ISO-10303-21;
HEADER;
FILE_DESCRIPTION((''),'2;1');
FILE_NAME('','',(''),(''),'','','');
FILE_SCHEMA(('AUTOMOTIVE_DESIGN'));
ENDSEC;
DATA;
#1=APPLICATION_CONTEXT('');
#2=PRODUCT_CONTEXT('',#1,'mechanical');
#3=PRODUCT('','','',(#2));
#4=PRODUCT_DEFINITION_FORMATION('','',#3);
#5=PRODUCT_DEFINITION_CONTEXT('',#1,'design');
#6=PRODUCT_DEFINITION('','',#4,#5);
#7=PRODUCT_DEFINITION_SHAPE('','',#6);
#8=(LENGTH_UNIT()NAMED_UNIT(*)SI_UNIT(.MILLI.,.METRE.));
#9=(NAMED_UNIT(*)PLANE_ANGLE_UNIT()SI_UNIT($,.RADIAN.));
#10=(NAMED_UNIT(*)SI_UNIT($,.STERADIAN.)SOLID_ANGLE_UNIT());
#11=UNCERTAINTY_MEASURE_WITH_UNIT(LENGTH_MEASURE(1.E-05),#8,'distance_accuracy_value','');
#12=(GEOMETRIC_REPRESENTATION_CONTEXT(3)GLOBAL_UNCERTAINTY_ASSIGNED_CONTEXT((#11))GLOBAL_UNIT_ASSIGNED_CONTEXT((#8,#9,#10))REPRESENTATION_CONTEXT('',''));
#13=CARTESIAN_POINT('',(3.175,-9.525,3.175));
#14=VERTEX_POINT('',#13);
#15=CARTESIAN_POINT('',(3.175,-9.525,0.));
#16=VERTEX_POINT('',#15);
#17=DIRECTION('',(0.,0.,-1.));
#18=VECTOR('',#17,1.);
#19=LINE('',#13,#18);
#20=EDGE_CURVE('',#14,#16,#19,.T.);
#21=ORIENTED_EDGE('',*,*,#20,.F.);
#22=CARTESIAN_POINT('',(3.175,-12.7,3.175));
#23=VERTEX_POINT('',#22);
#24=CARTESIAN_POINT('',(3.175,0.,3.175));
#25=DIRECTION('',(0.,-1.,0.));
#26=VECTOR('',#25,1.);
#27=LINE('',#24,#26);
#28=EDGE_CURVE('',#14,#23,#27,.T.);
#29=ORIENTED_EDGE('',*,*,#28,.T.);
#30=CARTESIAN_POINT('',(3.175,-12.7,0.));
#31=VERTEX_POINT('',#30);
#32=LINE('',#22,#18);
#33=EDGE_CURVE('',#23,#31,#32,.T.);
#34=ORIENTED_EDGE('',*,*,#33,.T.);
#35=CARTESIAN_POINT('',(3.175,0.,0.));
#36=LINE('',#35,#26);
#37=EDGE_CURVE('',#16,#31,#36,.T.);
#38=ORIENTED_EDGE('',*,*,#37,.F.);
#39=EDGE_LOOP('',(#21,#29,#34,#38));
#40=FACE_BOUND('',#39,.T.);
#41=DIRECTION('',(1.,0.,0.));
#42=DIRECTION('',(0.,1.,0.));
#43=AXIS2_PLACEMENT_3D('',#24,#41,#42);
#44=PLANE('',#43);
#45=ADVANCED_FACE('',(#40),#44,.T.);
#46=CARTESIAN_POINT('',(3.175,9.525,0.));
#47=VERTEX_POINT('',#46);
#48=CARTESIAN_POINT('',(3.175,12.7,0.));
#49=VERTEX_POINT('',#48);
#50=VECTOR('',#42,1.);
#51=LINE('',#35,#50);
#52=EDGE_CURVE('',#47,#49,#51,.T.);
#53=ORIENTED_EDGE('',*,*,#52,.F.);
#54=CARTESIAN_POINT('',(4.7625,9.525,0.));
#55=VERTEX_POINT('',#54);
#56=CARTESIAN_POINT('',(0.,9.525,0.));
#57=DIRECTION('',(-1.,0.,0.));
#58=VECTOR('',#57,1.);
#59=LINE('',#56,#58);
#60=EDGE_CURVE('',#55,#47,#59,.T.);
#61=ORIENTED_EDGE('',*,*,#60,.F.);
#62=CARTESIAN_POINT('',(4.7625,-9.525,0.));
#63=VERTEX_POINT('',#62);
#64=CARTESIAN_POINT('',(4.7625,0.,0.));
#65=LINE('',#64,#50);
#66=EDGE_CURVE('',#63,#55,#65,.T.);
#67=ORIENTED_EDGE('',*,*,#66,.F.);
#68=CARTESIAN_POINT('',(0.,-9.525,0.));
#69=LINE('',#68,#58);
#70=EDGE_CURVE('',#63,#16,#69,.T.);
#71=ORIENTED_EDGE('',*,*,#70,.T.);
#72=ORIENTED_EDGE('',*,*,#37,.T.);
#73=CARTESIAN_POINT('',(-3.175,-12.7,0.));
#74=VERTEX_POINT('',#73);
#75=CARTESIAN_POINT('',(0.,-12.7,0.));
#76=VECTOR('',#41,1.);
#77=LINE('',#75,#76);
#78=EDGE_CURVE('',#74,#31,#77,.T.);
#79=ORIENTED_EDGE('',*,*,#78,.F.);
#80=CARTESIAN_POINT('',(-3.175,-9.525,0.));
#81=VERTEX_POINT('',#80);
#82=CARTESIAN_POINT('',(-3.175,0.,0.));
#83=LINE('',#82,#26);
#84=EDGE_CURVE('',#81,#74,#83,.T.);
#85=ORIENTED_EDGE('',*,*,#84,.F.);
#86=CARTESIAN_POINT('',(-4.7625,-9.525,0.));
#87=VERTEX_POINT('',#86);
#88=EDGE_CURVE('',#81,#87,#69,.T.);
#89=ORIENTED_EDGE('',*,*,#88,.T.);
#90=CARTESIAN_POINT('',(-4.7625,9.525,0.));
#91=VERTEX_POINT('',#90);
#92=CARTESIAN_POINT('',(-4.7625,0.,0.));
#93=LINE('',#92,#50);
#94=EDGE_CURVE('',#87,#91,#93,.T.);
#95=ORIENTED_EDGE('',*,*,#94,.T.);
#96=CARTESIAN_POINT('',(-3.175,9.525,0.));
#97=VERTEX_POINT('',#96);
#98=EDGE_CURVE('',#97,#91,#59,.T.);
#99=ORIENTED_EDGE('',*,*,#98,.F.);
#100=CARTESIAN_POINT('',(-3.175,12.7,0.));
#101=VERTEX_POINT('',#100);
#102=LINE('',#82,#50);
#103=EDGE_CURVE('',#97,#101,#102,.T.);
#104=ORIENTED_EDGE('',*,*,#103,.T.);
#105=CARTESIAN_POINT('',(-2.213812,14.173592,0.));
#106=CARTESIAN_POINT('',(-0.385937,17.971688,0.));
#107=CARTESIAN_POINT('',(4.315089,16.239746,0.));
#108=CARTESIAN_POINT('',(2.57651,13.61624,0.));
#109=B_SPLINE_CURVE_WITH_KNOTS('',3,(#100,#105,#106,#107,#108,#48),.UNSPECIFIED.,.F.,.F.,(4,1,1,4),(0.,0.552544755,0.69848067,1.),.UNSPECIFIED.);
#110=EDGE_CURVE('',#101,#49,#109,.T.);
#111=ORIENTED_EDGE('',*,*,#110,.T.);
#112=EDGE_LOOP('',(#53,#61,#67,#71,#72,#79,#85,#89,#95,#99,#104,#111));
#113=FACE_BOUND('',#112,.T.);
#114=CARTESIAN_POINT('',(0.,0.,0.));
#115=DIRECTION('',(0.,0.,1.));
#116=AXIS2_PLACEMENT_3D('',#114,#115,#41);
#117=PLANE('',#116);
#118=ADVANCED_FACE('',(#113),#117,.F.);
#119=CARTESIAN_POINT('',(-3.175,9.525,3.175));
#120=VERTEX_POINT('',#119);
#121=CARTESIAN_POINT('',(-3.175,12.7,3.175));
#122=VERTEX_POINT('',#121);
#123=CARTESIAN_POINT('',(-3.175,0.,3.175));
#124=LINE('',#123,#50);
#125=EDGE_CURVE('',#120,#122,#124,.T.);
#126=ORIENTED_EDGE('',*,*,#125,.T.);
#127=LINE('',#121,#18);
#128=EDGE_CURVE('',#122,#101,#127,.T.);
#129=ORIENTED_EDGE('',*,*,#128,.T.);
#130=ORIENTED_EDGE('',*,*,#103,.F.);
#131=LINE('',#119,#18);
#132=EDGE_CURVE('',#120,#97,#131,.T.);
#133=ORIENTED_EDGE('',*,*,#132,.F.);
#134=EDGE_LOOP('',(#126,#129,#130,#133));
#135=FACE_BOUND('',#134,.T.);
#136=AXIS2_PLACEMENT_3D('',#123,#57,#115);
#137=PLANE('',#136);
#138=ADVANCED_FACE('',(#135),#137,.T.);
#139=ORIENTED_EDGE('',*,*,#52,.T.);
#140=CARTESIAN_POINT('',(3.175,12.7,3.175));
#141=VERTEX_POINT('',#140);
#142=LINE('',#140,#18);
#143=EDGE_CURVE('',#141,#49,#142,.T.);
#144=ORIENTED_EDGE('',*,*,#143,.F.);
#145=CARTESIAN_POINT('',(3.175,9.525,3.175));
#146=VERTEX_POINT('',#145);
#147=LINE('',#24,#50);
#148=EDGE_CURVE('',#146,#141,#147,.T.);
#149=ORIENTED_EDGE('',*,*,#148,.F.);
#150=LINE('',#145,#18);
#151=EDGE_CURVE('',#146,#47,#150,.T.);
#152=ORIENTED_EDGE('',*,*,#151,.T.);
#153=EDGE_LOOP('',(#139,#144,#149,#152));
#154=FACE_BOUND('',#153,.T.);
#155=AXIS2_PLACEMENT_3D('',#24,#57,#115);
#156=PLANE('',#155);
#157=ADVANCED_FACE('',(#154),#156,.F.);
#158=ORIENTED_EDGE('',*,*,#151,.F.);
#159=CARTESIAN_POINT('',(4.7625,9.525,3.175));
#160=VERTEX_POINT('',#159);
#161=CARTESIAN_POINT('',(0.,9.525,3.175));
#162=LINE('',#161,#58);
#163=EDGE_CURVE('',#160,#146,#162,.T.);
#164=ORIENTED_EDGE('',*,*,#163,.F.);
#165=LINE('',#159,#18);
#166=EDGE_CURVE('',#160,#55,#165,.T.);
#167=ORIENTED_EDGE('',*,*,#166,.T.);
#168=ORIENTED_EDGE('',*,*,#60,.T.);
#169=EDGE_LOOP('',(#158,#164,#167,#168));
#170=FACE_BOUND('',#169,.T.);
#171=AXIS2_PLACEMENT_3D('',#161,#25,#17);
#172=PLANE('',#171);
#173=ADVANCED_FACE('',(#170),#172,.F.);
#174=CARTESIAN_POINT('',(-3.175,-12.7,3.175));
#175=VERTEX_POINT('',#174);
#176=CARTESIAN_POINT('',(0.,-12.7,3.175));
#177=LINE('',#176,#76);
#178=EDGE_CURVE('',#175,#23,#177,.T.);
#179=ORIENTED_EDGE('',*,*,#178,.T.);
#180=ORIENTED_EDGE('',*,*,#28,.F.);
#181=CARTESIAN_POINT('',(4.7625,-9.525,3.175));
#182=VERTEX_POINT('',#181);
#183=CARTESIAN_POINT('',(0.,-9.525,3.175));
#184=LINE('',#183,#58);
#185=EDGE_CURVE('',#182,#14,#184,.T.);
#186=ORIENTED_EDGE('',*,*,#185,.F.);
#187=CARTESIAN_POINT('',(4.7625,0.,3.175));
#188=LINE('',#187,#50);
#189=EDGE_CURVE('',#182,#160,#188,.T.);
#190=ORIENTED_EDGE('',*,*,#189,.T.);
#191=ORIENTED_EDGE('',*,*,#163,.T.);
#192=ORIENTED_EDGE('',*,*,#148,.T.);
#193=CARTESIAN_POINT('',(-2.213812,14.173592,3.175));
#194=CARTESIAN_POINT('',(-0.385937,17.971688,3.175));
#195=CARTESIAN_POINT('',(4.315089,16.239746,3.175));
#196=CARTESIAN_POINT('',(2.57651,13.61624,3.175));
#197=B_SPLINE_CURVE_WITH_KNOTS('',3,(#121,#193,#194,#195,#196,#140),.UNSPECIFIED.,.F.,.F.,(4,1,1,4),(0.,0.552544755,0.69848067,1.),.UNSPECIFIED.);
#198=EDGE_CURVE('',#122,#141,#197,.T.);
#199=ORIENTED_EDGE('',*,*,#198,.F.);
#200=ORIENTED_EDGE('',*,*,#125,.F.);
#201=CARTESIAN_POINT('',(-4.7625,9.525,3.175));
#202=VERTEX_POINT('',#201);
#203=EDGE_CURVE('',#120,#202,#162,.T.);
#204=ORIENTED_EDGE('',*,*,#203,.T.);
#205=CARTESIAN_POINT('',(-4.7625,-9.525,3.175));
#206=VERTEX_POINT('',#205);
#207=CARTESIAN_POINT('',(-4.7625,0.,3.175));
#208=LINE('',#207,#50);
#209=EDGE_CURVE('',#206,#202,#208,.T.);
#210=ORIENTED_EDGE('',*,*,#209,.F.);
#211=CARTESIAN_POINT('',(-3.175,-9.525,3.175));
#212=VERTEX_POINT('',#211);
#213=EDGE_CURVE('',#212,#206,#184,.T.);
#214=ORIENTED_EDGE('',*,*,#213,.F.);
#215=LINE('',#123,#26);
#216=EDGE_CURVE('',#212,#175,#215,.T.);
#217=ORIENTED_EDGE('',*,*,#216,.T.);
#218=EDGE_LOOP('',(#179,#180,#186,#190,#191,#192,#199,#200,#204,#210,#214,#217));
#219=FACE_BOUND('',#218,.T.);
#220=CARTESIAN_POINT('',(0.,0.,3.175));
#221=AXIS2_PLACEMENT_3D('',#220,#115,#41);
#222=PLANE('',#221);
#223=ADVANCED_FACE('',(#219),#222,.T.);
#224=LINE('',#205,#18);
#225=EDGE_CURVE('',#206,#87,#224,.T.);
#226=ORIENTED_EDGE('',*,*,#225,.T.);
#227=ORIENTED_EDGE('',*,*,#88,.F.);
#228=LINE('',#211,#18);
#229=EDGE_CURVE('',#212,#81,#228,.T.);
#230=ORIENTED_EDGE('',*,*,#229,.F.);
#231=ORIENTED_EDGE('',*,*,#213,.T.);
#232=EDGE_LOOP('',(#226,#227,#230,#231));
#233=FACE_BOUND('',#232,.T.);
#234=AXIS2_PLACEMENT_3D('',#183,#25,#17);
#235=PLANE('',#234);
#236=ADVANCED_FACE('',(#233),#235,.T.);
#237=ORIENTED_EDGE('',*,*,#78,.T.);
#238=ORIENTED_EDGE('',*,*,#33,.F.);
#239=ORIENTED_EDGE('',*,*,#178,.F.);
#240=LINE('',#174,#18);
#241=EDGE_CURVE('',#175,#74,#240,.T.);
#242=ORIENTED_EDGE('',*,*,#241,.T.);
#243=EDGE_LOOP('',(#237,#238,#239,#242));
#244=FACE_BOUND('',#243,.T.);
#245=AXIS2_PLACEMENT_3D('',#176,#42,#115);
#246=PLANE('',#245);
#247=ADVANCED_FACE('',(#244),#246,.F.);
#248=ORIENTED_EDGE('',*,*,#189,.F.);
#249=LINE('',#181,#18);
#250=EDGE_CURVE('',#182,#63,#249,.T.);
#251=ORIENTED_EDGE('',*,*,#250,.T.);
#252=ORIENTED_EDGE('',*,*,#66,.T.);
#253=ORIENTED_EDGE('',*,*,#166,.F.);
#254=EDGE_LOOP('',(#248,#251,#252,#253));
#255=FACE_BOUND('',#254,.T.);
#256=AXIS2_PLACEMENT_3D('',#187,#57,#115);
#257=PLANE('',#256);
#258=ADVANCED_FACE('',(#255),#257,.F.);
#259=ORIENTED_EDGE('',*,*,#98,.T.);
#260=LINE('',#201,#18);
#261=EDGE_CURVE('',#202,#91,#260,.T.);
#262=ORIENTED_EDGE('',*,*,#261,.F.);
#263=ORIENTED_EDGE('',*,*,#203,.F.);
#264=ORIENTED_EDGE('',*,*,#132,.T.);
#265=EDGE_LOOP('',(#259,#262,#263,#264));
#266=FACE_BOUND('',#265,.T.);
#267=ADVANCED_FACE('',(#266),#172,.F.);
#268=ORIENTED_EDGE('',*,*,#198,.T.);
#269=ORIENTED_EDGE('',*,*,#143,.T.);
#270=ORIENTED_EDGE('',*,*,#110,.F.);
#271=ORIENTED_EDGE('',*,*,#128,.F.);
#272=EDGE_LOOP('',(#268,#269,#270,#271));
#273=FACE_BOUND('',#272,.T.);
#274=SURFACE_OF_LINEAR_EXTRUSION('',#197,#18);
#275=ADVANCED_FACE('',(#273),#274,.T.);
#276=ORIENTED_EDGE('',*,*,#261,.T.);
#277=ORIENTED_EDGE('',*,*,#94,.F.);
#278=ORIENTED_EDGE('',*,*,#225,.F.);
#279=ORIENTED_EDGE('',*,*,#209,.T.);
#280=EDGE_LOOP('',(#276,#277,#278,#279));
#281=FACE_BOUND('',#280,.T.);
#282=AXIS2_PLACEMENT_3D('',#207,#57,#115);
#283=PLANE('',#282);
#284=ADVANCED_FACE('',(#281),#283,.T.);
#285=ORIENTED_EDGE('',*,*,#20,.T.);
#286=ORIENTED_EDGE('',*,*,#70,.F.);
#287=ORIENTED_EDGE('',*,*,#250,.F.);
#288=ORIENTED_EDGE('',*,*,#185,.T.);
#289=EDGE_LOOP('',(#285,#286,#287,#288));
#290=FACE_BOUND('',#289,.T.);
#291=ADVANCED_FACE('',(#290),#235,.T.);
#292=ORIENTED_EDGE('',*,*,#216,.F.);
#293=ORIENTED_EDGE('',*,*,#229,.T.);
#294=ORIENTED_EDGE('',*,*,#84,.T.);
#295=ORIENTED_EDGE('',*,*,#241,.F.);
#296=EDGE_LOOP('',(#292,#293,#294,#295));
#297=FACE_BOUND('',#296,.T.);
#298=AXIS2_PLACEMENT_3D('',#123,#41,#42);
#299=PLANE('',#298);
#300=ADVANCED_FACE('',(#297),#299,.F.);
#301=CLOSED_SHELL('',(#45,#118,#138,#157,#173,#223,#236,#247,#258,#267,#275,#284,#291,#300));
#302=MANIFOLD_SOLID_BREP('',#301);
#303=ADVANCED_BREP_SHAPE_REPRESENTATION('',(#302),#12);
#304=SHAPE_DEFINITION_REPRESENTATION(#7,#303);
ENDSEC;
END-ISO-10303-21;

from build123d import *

# Parameters (mm, degrees)
SKETCH1_W           = 9.525
SKETCH1_H           = 19.05
SKETCH1_W_2         = 6.35
SKETCH1_H_2         = 3.175
BOSS_EXTRUDE1_DEPTH = 3.175


with BuildPart() as part:
    # Sketch1 → Boss-Extrude1 (new body)
    with BuildSketch(Plane.XY):
        Rectangle(SKETCH1_W, SKETCH1_H)
        with Locations((0, 11.1125)):
            Rectangle(SKETCH1_W_2, SKETCH1_H_2)
        with BuildLine():
            add(Edge.make_bspline(
                [(-3.175, 12.7), (-2.213811761, 14.173592311), (-0.385937212, 17.971687726), (4.31508926, 16.239746311), (2.576510016, 13.616240346), (3.175, 12.7)],
                knots=[0, 0, 0, 0, 0.552544755, 0.69848067, 1, 1, 1, 1], degree=3))
            Line((3.175, 12.7), (-3.175, 12.7))
        make_face()
        with Locations((0, -11.1125)):
            Rectangle(SKETCH1_W_2, SKETCH1_H_2)
    extrude(amount=BOSS_EXTRUDE1_DEPTH)


solid = part.part
